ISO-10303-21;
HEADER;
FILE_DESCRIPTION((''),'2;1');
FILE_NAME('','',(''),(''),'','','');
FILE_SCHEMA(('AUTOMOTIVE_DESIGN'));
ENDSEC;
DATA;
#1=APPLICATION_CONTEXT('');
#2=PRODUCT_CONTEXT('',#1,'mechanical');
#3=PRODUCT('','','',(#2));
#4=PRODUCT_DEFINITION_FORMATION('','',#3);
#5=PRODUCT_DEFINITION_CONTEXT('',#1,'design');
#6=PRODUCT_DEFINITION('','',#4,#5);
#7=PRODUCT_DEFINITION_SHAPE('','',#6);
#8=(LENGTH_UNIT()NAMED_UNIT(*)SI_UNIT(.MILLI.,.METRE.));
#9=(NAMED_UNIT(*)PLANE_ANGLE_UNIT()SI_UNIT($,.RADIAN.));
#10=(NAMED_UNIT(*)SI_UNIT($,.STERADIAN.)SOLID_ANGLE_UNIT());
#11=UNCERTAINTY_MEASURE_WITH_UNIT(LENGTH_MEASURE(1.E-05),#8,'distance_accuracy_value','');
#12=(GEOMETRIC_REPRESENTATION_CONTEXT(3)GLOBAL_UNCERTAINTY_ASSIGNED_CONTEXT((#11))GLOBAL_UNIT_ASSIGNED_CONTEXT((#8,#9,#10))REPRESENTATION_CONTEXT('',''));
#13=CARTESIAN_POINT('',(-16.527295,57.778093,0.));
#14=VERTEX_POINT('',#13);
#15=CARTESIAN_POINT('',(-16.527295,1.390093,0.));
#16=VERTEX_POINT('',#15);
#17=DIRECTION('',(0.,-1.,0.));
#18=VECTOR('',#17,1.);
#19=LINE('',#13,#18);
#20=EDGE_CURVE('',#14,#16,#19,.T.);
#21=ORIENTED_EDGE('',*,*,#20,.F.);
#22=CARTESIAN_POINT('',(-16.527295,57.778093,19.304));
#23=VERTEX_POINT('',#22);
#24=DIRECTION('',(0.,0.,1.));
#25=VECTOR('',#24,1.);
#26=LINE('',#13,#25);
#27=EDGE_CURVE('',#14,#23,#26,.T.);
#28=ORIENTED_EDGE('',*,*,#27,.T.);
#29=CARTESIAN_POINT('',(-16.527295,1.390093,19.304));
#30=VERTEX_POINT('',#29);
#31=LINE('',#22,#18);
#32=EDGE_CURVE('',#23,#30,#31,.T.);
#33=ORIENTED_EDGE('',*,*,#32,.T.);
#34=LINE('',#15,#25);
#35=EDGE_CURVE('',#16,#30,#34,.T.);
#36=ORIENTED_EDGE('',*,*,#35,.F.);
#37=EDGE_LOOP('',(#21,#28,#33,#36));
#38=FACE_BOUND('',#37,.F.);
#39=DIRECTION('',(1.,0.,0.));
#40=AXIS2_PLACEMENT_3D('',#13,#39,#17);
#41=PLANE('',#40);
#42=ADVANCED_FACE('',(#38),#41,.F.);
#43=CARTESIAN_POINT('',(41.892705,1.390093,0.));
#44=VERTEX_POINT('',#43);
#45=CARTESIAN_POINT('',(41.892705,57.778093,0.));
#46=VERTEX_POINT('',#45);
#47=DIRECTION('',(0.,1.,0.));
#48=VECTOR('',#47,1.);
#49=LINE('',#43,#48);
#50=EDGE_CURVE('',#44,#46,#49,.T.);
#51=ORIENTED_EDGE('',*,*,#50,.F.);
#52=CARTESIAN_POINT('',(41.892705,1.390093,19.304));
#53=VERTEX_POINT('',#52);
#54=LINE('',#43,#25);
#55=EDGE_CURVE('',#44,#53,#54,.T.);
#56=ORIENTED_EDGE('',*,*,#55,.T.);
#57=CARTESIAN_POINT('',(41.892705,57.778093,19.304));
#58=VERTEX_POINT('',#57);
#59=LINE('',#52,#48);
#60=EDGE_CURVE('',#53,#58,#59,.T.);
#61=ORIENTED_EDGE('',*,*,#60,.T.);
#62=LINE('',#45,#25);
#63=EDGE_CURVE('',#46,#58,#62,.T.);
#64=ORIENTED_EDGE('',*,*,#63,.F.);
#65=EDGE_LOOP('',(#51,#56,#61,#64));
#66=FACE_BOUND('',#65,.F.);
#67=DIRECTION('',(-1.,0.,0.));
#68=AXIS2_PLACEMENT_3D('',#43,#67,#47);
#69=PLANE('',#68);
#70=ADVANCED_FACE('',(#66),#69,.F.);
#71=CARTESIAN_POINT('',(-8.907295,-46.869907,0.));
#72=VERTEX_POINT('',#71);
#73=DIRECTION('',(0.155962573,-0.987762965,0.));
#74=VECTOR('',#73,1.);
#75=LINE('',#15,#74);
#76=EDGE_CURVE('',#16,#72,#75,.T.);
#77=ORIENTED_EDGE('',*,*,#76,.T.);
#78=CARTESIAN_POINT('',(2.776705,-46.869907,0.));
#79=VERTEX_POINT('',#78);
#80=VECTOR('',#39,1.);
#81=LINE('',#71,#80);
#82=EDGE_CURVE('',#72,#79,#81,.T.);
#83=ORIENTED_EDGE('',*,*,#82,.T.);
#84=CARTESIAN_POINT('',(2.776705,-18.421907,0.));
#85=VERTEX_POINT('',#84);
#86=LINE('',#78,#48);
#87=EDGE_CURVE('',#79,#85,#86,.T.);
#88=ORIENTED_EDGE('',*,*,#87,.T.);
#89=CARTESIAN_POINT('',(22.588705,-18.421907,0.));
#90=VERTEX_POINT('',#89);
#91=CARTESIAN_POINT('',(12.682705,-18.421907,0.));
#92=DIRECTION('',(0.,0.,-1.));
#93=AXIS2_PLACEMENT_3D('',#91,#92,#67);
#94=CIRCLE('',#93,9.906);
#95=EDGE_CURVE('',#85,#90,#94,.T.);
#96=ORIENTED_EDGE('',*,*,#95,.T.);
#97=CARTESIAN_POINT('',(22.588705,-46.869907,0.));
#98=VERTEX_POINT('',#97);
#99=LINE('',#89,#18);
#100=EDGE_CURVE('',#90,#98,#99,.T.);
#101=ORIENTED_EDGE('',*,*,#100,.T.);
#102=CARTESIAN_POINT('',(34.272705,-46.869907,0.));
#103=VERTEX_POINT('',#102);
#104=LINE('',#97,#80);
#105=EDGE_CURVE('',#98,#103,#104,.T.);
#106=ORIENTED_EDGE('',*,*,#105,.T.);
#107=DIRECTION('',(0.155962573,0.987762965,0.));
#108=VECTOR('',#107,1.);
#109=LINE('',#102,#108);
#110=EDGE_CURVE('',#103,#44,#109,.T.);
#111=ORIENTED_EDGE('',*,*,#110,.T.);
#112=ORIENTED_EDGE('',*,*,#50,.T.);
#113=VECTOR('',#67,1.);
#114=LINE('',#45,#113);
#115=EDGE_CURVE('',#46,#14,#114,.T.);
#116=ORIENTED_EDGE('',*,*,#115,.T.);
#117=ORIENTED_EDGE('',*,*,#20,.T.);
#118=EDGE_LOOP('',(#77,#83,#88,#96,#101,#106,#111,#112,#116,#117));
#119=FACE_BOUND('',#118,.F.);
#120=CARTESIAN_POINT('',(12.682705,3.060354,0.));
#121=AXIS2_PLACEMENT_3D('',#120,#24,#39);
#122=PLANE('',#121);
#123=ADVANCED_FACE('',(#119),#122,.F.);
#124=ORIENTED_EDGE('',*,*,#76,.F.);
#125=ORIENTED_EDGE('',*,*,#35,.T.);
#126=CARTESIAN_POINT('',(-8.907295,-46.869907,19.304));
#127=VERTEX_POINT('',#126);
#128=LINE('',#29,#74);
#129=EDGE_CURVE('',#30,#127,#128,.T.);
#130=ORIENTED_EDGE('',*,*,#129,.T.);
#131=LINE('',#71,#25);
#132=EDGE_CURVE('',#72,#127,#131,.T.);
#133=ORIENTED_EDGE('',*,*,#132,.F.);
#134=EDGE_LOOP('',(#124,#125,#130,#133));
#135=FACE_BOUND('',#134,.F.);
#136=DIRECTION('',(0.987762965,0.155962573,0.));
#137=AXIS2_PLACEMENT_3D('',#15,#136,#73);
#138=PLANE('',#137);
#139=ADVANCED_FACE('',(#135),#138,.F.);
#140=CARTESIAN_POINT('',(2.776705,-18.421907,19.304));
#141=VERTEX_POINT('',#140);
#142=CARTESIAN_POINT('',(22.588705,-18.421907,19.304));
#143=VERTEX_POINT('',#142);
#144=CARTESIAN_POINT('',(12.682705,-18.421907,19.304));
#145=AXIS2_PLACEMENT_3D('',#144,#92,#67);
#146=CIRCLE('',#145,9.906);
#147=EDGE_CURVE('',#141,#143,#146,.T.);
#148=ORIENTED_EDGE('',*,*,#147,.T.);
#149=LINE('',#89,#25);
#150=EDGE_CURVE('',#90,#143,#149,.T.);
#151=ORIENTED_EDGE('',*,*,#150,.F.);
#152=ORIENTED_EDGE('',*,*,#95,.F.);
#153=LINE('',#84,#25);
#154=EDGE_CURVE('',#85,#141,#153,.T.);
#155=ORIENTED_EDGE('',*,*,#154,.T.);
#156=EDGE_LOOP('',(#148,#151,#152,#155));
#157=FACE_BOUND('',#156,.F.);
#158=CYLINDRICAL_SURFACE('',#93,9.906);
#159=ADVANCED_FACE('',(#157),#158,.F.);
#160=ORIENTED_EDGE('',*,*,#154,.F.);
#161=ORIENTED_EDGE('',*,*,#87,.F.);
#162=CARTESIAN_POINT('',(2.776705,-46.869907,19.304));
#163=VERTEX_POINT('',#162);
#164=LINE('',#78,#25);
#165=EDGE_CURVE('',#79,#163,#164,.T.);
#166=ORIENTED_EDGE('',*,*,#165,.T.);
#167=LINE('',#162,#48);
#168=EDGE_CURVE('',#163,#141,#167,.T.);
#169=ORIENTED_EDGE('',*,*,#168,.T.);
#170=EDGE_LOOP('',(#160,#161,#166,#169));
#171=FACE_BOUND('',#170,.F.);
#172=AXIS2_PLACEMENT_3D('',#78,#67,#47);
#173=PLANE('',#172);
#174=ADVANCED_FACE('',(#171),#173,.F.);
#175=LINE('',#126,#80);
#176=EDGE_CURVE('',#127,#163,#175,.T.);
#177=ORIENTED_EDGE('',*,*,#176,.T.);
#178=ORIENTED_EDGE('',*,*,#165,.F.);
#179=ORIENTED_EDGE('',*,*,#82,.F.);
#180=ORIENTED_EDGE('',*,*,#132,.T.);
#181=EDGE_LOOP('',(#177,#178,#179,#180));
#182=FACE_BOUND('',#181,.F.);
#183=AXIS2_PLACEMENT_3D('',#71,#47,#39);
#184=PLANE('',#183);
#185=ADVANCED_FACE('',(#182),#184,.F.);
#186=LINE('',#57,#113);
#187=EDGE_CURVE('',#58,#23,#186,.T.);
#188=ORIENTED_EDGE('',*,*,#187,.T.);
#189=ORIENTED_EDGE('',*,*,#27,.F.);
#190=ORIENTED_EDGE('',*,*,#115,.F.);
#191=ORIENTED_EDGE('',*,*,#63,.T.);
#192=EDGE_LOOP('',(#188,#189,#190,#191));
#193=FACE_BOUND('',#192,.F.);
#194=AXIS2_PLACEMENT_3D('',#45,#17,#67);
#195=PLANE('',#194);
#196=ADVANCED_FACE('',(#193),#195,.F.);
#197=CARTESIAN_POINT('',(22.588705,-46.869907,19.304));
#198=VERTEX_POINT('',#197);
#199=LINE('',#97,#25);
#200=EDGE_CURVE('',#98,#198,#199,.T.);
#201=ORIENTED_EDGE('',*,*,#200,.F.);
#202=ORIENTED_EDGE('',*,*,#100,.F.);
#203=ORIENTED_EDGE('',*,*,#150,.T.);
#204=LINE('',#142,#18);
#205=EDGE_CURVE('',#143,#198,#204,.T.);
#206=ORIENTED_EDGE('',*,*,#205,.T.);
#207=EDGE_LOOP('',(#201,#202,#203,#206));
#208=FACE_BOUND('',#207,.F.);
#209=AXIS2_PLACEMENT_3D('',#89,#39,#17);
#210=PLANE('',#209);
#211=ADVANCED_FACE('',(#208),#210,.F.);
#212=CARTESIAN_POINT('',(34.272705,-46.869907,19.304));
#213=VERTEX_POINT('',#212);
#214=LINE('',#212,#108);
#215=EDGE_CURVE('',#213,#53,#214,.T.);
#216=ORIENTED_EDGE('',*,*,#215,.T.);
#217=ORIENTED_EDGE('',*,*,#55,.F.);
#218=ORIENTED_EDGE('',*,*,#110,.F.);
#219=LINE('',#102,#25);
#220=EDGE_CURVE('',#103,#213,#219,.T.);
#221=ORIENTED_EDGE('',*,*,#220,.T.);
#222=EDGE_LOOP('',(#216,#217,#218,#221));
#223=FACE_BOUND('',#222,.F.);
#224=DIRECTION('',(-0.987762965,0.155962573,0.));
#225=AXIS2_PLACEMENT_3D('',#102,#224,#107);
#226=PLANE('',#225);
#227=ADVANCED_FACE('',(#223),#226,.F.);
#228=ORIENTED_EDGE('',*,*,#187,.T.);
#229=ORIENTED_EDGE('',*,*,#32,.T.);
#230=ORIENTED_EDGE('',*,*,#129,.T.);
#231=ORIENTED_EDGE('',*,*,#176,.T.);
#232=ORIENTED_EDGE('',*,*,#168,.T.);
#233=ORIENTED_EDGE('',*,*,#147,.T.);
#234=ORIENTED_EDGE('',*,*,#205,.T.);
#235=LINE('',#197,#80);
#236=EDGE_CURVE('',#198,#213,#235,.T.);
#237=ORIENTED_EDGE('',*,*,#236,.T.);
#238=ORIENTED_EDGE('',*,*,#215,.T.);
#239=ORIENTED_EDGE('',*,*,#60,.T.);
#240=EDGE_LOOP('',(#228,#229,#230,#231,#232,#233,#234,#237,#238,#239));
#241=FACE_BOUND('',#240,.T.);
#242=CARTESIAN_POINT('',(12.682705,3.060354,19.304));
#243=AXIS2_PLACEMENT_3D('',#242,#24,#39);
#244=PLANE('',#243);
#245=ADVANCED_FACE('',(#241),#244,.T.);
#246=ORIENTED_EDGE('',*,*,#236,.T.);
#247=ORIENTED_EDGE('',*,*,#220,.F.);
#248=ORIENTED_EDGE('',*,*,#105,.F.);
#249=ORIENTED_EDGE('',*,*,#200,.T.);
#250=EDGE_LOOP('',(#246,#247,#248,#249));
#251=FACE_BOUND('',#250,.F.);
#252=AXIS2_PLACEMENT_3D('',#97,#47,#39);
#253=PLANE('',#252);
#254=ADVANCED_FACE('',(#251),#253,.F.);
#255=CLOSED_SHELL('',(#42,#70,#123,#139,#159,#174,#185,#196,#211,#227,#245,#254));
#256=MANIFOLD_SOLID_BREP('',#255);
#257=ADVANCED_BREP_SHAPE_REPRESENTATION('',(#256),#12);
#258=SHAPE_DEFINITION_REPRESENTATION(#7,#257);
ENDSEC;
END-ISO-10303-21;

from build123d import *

# Parameters (mm, degrees)
F1_DEPTH = 19.304


with BuildPart() as f1:
    # F0 (on Top) → F1 (new body)
    with BuildSketch(Plane.XY):
        with BuildLine():
            Line((41.892705, 57.778093), (-16.527295, 57.778093))
            Line((-16.527295, 57.778093), (-16.527295, 1.390093))
            Line((-16.527295, 1.390093), (-8.907295, -46.869907))
            Line((-8.907295, -46.869907), (2.776705, -46.869907))
            Line((2.776705, -46.869907), (2.776705, -18.421907))
            ThreePointArc((2.776705, -18.421907), (12.682705, -8.515907), (22.588705, -18.421907))
            Line((22.588705, -18.421907), (22.588705, -46.869907))
            Line((22.588705, -46.869907), (34.272705, -46.869907))
            Line((34.272705, -46.869907), (41.892705, 1.390093))
            Line((41.892705, 1.390093), (41.892705, 57.778093))
        make_face()
    extrude(amount=F1_DEPTH)


solid = f1.part
